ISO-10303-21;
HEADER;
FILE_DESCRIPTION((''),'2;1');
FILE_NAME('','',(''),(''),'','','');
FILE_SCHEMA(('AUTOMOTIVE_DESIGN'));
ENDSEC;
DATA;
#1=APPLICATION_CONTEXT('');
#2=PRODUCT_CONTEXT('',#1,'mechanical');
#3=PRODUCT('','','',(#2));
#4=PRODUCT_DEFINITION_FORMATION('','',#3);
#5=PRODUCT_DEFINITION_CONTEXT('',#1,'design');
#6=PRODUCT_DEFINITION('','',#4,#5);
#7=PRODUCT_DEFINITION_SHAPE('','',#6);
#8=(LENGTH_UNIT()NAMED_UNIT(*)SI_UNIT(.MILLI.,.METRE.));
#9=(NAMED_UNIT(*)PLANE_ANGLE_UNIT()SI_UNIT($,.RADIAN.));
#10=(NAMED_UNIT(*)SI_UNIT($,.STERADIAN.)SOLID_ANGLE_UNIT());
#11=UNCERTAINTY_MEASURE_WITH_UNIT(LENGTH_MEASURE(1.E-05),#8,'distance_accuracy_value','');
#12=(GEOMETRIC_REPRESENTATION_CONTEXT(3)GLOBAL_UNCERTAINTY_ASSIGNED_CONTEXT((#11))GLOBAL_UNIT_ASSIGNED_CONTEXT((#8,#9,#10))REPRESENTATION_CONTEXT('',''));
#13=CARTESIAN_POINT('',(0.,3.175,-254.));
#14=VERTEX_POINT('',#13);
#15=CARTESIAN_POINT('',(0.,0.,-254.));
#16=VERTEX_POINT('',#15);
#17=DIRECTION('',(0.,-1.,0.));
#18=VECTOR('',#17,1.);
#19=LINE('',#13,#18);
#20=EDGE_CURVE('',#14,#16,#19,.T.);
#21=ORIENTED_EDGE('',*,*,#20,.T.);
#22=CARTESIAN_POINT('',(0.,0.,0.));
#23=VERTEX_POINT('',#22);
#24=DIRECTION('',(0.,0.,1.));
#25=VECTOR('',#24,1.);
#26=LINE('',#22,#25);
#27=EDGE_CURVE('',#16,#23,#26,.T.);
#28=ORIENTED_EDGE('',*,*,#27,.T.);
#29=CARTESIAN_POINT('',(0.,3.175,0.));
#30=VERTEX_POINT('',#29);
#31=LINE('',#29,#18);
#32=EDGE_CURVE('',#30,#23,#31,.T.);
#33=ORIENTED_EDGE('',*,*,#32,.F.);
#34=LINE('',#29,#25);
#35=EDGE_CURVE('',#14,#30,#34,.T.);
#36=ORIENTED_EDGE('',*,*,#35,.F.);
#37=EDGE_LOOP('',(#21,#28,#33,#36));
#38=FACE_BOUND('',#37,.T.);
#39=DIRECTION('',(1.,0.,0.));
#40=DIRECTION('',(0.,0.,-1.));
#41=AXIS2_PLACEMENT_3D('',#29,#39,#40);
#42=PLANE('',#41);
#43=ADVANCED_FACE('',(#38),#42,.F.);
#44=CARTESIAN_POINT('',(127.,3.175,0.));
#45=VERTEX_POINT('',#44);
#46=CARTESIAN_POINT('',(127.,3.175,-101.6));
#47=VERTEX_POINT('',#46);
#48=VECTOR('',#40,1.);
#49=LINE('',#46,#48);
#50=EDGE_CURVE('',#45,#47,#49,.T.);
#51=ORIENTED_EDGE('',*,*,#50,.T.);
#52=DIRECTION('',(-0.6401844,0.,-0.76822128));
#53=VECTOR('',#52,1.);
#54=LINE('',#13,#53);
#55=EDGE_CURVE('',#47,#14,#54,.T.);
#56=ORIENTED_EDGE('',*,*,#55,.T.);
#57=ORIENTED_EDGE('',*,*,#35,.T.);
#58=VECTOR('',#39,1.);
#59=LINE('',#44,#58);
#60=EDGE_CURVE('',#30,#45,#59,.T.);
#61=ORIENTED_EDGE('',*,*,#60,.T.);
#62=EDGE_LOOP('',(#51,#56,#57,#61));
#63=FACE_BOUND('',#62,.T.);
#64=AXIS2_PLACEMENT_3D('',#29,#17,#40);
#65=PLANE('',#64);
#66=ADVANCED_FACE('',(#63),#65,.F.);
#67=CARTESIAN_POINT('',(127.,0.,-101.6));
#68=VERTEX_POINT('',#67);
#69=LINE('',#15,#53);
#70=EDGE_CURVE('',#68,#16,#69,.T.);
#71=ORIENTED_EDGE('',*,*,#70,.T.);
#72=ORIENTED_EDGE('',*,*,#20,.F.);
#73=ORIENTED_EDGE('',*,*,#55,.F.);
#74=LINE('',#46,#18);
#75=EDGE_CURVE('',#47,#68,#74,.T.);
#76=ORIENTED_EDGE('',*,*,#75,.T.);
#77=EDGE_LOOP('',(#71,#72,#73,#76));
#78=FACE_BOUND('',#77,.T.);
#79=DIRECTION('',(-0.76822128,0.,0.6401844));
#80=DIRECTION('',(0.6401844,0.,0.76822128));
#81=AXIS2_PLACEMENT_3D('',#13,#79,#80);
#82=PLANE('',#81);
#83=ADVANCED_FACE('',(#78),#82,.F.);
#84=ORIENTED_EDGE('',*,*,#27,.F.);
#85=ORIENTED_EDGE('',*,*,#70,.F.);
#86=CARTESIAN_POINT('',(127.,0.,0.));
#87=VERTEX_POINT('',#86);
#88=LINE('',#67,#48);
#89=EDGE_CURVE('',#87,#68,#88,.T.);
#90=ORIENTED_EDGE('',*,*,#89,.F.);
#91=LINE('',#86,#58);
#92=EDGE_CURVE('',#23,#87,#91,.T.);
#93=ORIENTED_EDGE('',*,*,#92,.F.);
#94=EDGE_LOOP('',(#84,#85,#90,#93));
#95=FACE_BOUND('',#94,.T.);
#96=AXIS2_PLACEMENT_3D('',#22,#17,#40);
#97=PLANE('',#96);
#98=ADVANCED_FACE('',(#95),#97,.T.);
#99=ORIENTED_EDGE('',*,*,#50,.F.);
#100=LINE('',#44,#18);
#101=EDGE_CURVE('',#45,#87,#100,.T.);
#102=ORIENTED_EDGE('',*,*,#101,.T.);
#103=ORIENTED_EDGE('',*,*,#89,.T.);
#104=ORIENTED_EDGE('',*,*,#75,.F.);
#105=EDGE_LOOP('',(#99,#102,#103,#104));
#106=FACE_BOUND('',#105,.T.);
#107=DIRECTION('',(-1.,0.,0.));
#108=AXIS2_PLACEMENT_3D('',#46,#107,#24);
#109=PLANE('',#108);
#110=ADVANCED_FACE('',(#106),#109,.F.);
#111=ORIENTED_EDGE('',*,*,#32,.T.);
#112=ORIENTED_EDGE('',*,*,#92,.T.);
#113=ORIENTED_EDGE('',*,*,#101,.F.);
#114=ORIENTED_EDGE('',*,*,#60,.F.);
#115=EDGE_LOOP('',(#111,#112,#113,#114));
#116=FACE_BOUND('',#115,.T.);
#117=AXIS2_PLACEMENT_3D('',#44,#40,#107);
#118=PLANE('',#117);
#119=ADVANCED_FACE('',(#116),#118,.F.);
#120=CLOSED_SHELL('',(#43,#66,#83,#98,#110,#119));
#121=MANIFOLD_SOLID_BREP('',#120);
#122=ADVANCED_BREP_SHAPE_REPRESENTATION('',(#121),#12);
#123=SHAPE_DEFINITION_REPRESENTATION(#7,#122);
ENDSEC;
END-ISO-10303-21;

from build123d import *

# Parameters (mm, degrees)
FINBODY_DEPTH = 3.175


with BuildPart() as part:
    # Sketch1 → FinBody (new body)
    with BuildSketch(Plane(origin=(0, 0, 0), x_dir=(1, 0, 0), z_dir=(0, 1, 0))):
        Polygon((0, 0), (0, 254), (127, 101.6), (127, 0), align=None)
    extrude(amount=FINBODY_DEPTH)


solid = part.part
